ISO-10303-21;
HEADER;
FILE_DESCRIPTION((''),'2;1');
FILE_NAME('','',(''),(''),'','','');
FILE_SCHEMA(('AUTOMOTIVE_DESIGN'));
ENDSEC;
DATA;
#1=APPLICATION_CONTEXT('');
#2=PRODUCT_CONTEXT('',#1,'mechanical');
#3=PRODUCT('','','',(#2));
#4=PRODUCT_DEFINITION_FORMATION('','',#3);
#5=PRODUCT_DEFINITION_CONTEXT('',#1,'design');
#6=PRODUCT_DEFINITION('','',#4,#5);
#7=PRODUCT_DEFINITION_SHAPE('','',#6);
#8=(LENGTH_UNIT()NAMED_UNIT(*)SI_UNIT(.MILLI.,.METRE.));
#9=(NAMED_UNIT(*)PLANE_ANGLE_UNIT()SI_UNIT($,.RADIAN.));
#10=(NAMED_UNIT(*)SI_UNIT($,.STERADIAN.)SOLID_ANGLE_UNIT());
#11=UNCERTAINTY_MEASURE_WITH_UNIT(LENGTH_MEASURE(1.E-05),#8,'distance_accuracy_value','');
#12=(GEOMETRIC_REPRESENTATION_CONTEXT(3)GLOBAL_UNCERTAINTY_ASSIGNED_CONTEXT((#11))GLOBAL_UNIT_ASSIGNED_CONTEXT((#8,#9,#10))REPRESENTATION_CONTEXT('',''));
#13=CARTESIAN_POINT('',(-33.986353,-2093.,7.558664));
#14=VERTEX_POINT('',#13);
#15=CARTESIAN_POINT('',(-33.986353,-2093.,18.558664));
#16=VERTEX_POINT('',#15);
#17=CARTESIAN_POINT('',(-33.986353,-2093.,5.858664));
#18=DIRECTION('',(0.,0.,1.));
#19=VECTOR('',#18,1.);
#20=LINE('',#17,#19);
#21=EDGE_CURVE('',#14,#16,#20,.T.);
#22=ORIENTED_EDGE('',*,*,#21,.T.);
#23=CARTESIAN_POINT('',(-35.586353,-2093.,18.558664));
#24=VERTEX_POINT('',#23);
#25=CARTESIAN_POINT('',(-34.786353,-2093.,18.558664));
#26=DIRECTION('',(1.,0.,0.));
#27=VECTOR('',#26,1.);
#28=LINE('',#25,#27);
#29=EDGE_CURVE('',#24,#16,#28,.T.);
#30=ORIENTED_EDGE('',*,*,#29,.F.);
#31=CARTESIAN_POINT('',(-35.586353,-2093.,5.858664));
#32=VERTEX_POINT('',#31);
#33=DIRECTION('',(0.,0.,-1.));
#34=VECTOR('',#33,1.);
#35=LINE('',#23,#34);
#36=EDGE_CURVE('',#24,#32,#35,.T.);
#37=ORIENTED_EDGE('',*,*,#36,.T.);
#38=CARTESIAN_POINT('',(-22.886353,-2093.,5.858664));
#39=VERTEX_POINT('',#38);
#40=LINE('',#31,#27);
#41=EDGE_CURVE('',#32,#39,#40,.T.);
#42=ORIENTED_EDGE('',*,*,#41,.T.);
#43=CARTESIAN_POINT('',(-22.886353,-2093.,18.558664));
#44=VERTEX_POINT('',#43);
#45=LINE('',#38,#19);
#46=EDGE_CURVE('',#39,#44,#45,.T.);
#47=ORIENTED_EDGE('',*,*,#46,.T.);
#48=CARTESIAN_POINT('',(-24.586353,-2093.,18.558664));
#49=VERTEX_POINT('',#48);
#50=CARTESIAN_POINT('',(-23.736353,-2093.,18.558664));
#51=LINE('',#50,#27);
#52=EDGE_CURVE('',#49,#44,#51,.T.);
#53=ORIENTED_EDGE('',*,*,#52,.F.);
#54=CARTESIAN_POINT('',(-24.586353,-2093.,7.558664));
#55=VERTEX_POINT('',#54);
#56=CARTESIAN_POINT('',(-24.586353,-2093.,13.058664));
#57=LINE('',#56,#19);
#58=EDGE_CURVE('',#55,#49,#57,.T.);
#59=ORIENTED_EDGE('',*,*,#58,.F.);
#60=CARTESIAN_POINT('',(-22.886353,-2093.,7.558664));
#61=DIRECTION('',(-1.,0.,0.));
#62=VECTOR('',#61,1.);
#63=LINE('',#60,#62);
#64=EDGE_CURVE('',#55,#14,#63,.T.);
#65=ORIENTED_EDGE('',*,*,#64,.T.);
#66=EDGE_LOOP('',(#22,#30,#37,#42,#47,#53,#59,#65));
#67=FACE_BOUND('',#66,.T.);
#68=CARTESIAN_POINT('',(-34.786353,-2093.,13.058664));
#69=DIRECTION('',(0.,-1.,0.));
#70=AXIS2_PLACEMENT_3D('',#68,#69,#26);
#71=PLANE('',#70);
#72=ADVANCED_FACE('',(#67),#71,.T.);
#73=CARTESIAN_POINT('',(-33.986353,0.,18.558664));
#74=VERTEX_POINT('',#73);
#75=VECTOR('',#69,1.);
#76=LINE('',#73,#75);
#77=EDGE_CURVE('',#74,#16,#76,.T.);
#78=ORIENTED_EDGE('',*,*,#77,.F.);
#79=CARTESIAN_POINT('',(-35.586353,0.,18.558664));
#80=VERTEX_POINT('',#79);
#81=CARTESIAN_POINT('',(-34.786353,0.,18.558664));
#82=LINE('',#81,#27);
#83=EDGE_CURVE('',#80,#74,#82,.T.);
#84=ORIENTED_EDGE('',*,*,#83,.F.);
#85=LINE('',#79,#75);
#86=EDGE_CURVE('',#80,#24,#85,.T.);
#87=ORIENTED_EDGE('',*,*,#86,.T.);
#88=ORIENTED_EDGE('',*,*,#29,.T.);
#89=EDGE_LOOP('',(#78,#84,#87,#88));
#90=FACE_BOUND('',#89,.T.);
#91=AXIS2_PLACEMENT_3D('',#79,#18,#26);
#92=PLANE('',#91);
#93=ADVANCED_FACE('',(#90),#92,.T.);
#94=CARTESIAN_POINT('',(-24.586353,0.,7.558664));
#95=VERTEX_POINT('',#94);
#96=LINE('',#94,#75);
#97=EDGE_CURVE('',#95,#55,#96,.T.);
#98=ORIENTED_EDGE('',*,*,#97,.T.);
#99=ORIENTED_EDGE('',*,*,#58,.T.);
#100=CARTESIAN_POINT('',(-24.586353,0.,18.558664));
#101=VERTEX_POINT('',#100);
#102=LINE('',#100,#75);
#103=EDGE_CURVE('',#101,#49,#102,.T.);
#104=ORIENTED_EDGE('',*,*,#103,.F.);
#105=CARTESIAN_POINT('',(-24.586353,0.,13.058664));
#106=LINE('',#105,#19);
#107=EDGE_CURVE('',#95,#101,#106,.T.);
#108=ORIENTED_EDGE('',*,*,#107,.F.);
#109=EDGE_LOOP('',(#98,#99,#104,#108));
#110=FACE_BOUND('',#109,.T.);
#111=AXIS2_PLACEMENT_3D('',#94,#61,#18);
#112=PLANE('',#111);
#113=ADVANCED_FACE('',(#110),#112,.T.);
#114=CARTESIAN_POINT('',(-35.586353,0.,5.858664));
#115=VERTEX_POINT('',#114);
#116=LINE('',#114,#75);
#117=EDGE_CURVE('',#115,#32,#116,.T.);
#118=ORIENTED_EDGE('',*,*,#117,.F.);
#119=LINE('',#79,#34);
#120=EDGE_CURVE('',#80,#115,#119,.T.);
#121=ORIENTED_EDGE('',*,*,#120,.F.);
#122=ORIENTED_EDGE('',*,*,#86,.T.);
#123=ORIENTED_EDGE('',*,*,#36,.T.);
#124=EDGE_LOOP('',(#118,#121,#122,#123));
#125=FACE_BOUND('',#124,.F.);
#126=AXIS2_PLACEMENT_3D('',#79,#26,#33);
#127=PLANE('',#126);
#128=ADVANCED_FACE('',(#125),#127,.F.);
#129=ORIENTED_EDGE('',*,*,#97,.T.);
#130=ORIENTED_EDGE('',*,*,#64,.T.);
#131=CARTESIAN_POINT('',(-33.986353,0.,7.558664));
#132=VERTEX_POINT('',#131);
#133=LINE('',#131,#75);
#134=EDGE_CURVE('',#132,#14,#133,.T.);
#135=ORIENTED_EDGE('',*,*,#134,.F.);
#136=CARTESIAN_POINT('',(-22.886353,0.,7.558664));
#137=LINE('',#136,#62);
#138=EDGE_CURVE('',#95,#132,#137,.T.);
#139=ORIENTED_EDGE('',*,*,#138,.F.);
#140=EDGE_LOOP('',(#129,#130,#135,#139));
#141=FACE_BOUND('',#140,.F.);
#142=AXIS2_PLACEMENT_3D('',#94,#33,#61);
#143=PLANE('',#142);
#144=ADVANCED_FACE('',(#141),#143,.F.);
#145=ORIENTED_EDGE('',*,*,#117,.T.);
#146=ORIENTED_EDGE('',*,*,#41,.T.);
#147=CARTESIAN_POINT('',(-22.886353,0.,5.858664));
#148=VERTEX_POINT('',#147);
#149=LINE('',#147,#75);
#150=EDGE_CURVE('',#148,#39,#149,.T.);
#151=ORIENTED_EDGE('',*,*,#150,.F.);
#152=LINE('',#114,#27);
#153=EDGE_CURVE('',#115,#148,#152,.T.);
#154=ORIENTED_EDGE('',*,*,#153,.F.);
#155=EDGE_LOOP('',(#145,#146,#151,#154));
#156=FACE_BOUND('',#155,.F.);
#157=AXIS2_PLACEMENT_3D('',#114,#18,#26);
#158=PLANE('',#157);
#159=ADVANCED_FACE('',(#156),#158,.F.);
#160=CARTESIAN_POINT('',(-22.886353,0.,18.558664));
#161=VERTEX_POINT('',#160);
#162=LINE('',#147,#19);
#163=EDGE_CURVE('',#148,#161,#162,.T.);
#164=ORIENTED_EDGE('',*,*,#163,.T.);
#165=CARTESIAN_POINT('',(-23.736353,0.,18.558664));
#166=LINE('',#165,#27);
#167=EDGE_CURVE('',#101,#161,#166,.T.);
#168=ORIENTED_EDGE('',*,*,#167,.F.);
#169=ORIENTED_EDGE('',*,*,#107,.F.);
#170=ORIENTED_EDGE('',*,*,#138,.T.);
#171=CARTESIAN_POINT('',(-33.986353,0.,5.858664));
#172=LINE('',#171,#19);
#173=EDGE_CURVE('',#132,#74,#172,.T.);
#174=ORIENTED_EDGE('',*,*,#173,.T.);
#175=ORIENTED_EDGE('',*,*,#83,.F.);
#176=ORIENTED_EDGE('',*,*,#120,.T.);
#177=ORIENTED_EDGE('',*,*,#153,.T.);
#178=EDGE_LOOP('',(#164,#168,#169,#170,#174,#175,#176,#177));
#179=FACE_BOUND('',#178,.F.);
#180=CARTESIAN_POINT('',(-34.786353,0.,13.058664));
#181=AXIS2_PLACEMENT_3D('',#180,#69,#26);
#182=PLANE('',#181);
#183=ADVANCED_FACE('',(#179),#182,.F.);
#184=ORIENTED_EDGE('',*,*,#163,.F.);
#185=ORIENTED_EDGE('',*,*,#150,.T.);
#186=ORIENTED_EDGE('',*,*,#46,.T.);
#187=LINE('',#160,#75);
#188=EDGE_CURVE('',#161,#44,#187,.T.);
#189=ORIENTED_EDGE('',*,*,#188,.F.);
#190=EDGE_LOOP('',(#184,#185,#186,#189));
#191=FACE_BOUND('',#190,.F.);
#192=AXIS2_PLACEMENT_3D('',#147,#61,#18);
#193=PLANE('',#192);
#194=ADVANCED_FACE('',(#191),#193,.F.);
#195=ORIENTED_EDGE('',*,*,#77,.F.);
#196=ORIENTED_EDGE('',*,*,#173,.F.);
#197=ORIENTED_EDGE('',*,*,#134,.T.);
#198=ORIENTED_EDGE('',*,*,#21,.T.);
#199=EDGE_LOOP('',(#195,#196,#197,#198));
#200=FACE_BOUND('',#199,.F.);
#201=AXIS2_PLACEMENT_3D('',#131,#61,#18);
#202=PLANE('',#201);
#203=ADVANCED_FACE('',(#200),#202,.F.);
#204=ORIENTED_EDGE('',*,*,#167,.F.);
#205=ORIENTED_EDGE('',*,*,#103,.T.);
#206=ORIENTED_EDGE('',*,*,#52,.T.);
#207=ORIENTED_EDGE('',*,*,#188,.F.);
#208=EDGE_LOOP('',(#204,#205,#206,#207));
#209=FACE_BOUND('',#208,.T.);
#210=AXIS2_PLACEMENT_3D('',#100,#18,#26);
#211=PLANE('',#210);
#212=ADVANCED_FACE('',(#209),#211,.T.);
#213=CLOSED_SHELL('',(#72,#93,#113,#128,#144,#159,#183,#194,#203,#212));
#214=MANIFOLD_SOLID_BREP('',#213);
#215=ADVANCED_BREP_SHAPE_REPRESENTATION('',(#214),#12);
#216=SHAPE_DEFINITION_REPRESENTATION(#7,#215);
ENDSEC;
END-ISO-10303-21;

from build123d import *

# Parameters (mm, degrees)
F0_W     = 1.6
F0_H     = 11
F0_H_2   = 1.7
F0_W_2   = 9.4
F0_W_3   = 1.7
F1_DEPTH = 2093


with BuildPart() as f1:
    # F0 (on Front) → F1 (new body)
    with BuildSketch(Plane.XZ):
        with Locations((-34.7863528877, 13.0586644009)):
            Rectangle(F0_W, F0_H)
        with Locations((-34.7863528877, 6.7086644009)):
            Rectangle(F0_W, F0_H_2)
        with Locations((-29.2863528877, 6.7086644009)):
            Rectangle(F0_W_2, F0_H_2)
        with Locations((-23.7363528877, 6.7086644009)):
            Rectangle(F0_W_3, F0_H_2)
        with Locations((-23.7363528877, 13.0586644009)):
            Rectangle(F0_W_3, F0_H)
    extrude(amount=F1_DEPTH)


solid = f1.part
